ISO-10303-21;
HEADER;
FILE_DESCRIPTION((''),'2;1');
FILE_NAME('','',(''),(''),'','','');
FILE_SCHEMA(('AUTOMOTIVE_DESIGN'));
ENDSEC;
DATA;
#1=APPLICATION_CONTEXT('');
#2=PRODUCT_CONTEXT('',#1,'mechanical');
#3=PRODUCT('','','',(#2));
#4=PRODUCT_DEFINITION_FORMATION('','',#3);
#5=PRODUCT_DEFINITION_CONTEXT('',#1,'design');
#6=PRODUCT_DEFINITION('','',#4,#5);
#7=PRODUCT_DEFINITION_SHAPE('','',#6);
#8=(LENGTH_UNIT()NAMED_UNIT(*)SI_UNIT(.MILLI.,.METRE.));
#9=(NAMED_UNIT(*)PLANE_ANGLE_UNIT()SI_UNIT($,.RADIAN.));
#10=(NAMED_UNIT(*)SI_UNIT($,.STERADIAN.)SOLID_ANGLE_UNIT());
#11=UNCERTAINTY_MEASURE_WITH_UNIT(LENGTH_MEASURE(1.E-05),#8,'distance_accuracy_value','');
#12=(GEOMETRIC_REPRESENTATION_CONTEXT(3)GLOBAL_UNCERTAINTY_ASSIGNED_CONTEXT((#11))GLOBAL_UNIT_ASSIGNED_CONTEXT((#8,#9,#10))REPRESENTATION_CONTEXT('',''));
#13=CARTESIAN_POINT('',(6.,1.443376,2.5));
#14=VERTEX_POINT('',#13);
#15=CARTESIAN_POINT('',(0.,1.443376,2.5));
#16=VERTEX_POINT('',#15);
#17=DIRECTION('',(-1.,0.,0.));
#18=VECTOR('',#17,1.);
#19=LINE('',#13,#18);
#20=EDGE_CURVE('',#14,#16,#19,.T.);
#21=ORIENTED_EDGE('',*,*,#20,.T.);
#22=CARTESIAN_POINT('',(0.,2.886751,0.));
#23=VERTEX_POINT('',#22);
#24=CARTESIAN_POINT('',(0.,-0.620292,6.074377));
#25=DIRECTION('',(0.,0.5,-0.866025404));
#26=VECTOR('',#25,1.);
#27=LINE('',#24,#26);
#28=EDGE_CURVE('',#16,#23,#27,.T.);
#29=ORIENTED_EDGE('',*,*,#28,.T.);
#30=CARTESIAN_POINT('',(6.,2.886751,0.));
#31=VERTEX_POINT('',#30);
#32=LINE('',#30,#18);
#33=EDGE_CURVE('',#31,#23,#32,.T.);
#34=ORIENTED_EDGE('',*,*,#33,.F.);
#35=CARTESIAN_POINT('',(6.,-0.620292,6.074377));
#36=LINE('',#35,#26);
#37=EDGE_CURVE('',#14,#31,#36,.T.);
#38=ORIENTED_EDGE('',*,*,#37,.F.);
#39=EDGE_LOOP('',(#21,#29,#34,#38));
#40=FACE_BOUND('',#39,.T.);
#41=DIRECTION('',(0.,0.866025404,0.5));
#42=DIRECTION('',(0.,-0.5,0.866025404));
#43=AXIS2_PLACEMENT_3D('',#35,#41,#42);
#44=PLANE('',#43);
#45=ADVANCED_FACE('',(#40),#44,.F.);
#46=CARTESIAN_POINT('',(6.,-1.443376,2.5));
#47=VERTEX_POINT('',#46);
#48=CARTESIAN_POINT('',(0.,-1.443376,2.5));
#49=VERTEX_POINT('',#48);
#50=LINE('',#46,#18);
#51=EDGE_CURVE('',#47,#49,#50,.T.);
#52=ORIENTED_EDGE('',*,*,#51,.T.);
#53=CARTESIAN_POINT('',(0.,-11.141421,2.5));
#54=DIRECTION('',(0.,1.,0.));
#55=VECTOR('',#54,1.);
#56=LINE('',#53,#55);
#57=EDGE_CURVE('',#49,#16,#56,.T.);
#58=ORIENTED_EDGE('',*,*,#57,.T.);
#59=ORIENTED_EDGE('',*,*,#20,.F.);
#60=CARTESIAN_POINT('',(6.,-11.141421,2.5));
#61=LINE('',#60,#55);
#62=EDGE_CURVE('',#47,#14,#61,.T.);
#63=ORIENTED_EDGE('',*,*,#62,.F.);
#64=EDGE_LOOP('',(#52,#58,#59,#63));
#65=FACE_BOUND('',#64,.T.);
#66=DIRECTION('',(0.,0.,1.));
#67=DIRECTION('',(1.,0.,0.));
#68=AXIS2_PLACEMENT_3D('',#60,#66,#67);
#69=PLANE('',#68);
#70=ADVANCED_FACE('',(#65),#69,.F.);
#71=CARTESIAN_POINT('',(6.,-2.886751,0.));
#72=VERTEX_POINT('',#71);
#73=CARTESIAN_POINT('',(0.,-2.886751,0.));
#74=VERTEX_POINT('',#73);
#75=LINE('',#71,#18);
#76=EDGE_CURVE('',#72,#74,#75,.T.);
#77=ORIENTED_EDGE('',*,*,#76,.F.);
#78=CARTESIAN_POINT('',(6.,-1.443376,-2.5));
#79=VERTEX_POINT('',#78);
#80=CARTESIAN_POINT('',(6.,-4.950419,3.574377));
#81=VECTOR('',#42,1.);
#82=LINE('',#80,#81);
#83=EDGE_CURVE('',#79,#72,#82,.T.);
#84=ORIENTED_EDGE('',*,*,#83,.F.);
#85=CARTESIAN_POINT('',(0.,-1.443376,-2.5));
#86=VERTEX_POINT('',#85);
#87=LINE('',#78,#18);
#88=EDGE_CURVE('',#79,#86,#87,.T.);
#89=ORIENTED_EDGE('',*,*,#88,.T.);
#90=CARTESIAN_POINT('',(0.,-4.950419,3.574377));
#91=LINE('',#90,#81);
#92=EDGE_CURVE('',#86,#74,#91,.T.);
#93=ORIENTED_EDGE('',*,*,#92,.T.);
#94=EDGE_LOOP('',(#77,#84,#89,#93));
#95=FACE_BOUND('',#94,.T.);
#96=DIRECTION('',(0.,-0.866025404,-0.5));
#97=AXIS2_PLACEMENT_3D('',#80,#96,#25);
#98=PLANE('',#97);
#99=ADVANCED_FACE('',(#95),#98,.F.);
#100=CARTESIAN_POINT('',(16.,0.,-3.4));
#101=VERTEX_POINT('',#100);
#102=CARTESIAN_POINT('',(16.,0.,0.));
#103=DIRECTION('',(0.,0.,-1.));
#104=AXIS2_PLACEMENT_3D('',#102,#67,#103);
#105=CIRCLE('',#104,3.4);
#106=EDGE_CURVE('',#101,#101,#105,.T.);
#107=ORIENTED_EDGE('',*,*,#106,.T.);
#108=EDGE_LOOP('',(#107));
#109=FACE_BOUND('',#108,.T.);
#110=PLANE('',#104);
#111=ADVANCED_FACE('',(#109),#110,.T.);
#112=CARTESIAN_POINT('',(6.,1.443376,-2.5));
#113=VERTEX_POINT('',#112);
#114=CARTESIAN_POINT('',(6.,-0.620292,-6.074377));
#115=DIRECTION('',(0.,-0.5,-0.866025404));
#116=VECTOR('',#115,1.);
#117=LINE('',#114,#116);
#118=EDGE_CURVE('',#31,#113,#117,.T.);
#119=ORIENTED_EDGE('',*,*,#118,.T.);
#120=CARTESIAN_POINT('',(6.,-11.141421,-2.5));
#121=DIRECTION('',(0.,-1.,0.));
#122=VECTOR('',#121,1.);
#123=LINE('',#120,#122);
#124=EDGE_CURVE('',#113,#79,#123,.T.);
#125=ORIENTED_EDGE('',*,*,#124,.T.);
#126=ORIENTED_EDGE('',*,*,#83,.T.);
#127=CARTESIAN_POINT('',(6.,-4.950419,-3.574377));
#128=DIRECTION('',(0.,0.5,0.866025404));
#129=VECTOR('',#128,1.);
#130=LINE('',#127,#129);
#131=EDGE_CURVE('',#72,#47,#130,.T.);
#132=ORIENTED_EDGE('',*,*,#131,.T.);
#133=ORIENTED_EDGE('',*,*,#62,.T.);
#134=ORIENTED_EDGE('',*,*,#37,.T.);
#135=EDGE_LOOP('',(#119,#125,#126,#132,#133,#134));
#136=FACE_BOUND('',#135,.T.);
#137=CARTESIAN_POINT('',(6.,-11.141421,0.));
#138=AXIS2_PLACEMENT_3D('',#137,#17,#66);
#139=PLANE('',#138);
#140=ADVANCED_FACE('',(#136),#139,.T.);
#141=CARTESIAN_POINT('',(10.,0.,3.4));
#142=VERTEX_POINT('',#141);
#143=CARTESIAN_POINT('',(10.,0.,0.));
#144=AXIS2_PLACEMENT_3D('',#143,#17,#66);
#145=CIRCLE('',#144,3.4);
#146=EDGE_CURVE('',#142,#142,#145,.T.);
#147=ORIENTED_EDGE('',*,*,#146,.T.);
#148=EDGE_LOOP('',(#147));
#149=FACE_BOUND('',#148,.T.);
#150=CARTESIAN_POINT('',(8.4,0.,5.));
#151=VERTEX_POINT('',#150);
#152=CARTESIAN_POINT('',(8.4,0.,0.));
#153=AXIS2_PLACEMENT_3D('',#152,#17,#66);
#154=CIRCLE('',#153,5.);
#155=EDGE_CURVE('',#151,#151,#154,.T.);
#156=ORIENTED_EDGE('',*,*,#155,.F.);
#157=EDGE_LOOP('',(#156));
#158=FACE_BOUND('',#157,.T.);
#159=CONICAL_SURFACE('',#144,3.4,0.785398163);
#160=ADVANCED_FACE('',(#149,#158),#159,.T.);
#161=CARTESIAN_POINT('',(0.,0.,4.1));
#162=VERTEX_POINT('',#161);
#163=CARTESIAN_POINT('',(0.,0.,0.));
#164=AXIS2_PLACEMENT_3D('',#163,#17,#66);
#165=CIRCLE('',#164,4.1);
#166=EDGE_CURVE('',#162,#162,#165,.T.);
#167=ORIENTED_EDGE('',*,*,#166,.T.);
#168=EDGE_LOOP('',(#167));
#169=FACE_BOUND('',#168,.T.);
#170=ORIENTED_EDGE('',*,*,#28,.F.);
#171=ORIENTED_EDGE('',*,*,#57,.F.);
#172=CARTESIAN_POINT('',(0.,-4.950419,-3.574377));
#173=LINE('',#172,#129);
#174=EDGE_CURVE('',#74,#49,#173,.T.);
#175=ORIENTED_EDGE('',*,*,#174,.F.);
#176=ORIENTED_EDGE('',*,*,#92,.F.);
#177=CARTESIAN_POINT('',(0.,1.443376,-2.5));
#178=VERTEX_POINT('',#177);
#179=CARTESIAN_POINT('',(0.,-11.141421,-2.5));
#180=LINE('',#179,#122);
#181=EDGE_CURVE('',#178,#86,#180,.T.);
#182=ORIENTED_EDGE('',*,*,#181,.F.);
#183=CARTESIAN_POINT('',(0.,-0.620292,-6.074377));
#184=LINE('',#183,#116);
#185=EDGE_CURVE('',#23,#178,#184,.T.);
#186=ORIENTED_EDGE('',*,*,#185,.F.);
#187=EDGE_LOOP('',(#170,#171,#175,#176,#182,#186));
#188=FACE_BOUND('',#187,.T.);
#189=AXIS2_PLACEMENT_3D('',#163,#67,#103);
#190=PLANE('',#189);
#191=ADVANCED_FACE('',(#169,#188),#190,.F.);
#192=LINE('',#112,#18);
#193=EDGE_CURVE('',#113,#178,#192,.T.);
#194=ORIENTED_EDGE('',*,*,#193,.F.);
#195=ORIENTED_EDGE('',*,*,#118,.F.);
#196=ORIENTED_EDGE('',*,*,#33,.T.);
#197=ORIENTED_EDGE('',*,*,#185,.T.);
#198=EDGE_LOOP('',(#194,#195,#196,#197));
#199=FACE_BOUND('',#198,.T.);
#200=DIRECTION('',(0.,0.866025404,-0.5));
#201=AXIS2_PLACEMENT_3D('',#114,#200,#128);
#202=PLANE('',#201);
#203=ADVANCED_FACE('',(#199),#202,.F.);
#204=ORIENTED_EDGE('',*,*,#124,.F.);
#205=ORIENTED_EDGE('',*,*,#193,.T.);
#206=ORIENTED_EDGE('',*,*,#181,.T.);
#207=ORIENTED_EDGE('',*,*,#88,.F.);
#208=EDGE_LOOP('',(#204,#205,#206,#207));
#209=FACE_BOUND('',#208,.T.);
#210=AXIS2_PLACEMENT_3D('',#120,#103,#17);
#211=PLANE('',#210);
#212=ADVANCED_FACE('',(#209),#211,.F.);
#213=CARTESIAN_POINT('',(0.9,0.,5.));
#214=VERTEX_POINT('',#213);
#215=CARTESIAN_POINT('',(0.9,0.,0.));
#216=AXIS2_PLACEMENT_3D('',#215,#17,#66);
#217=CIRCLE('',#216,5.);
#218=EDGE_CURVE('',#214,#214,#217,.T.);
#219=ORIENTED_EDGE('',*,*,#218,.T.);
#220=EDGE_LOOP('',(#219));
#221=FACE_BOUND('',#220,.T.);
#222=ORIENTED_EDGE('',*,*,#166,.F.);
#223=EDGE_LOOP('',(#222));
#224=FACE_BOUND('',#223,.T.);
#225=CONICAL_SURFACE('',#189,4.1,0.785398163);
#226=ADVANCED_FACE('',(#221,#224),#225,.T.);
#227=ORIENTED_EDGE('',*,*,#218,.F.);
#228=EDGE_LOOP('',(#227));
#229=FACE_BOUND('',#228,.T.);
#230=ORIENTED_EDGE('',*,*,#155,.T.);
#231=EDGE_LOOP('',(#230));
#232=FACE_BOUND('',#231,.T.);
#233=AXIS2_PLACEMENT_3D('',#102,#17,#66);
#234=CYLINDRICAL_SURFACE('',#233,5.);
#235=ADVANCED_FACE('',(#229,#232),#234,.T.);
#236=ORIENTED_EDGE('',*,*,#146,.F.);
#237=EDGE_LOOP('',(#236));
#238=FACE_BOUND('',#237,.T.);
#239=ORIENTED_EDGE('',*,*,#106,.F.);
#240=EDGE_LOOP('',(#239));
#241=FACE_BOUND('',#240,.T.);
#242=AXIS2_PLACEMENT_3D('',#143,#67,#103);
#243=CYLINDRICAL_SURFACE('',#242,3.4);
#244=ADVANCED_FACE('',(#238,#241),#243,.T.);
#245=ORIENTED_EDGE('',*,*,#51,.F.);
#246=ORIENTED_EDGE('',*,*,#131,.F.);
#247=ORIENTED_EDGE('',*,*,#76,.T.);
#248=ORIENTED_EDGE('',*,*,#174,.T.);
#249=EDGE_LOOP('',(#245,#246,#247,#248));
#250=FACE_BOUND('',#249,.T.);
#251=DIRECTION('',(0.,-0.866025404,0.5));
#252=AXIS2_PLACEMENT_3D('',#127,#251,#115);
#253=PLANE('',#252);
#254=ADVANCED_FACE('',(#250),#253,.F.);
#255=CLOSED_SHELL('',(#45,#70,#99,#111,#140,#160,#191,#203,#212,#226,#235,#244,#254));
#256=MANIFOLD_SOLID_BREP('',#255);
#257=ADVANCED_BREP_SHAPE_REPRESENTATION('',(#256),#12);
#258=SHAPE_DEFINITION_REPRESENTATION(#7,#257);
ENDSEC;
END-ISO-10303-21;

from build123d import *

# Parameters (mm, degrees)
SKETCH_1_R          = 5
EXTRUDE_1_DEPTH     = 16
CUT_EXTRUDE_1_DEPTH = 6
CUT_EXTRUDE_START   = -6
SKETCH_3_R          = 5
SKETCH_3_R_2        = 3.4
CUT_EXTRUDE_2_DEPTH = 6


with BuildPart() as part:
    # Эскиз1 → Вытянуть1 (new body)
    with BuildSketch(Plane(origin=(0, 0, 0), x_dir=(0, 0, -1), z_dir=(1, 0, 0))):
        Circle(SKETCH_1_R)
    extrude(amount=EXTRUDE_1_DEPTH)

    # Эскиз2 → Вырез-Вытянуть1 (cut)
    with BuildSketch(Plane.ZY):
        Polygon((-2.5, -1.443375673), (0, -2.886751346), (0, 2.886751346), (-2.5, 1.443375673), align=None)
        Polygon((0, -2.886751346), (0, 2.886751346), (2.5, 1.443375673), (2.5, -1.443375673), align=None)
    extrude(amount=-CUT_EXTRUDE_1_DEPTH, mode=Mode.SUBTRACT)

    # Эскиз3 → Вырез-Вытянуть2 (cut)
    with BuildSketch(Plane(origin=(16, 0, 0), x_dir=(0, 0, -1), z_dir=(1, 0, 0)).offset(CUT_EXTRUDE_START)):
        Circle(SKETCH_3_R)
        Circle(SKETCH_3_R_2, mode=Mode.SUBTRACT)
    extrude(amount=CUT_EXTRUDE_2_DEPTH, mode=Mode.SUBTRACT)

    # Эскиз4 → Вырез-Повернуть1 (revolve, cut)
    with BuildSketch(Plane.XY, mode=Mode.PRIVATE) as cut_revolve_1_sk:
        Polygon((10, 5), (10, 3.4), (8.4, 5), align=None)
    revolve(cut_revolve_1_sk.sketch.rotate(Axis((0, 0, 0), (1, 0, 0)), 90), axis=Axis((0, 0, 0), (1, 0, 0)), mode=Mode.SUBTRACT)

    # Эскиз5 → Вырез-Повернуть2 (revolve, cut)
    with BuildSketch(Plane.XY, mode=Mode.PRIVATE) as cut_revolve_2_sk:
        Polygon((0, 5), (0, 4.1), (0.9, 5), align=None)
    revolve(cut_revolve_2_sk.sketch.rotate(Axis((0, 0, 0), (1, 0, 0)), 90), axis=Axis((0, 0, 0), (1, 0, 0)), mode=Mode.SUBTRACT)


solid = part.part
